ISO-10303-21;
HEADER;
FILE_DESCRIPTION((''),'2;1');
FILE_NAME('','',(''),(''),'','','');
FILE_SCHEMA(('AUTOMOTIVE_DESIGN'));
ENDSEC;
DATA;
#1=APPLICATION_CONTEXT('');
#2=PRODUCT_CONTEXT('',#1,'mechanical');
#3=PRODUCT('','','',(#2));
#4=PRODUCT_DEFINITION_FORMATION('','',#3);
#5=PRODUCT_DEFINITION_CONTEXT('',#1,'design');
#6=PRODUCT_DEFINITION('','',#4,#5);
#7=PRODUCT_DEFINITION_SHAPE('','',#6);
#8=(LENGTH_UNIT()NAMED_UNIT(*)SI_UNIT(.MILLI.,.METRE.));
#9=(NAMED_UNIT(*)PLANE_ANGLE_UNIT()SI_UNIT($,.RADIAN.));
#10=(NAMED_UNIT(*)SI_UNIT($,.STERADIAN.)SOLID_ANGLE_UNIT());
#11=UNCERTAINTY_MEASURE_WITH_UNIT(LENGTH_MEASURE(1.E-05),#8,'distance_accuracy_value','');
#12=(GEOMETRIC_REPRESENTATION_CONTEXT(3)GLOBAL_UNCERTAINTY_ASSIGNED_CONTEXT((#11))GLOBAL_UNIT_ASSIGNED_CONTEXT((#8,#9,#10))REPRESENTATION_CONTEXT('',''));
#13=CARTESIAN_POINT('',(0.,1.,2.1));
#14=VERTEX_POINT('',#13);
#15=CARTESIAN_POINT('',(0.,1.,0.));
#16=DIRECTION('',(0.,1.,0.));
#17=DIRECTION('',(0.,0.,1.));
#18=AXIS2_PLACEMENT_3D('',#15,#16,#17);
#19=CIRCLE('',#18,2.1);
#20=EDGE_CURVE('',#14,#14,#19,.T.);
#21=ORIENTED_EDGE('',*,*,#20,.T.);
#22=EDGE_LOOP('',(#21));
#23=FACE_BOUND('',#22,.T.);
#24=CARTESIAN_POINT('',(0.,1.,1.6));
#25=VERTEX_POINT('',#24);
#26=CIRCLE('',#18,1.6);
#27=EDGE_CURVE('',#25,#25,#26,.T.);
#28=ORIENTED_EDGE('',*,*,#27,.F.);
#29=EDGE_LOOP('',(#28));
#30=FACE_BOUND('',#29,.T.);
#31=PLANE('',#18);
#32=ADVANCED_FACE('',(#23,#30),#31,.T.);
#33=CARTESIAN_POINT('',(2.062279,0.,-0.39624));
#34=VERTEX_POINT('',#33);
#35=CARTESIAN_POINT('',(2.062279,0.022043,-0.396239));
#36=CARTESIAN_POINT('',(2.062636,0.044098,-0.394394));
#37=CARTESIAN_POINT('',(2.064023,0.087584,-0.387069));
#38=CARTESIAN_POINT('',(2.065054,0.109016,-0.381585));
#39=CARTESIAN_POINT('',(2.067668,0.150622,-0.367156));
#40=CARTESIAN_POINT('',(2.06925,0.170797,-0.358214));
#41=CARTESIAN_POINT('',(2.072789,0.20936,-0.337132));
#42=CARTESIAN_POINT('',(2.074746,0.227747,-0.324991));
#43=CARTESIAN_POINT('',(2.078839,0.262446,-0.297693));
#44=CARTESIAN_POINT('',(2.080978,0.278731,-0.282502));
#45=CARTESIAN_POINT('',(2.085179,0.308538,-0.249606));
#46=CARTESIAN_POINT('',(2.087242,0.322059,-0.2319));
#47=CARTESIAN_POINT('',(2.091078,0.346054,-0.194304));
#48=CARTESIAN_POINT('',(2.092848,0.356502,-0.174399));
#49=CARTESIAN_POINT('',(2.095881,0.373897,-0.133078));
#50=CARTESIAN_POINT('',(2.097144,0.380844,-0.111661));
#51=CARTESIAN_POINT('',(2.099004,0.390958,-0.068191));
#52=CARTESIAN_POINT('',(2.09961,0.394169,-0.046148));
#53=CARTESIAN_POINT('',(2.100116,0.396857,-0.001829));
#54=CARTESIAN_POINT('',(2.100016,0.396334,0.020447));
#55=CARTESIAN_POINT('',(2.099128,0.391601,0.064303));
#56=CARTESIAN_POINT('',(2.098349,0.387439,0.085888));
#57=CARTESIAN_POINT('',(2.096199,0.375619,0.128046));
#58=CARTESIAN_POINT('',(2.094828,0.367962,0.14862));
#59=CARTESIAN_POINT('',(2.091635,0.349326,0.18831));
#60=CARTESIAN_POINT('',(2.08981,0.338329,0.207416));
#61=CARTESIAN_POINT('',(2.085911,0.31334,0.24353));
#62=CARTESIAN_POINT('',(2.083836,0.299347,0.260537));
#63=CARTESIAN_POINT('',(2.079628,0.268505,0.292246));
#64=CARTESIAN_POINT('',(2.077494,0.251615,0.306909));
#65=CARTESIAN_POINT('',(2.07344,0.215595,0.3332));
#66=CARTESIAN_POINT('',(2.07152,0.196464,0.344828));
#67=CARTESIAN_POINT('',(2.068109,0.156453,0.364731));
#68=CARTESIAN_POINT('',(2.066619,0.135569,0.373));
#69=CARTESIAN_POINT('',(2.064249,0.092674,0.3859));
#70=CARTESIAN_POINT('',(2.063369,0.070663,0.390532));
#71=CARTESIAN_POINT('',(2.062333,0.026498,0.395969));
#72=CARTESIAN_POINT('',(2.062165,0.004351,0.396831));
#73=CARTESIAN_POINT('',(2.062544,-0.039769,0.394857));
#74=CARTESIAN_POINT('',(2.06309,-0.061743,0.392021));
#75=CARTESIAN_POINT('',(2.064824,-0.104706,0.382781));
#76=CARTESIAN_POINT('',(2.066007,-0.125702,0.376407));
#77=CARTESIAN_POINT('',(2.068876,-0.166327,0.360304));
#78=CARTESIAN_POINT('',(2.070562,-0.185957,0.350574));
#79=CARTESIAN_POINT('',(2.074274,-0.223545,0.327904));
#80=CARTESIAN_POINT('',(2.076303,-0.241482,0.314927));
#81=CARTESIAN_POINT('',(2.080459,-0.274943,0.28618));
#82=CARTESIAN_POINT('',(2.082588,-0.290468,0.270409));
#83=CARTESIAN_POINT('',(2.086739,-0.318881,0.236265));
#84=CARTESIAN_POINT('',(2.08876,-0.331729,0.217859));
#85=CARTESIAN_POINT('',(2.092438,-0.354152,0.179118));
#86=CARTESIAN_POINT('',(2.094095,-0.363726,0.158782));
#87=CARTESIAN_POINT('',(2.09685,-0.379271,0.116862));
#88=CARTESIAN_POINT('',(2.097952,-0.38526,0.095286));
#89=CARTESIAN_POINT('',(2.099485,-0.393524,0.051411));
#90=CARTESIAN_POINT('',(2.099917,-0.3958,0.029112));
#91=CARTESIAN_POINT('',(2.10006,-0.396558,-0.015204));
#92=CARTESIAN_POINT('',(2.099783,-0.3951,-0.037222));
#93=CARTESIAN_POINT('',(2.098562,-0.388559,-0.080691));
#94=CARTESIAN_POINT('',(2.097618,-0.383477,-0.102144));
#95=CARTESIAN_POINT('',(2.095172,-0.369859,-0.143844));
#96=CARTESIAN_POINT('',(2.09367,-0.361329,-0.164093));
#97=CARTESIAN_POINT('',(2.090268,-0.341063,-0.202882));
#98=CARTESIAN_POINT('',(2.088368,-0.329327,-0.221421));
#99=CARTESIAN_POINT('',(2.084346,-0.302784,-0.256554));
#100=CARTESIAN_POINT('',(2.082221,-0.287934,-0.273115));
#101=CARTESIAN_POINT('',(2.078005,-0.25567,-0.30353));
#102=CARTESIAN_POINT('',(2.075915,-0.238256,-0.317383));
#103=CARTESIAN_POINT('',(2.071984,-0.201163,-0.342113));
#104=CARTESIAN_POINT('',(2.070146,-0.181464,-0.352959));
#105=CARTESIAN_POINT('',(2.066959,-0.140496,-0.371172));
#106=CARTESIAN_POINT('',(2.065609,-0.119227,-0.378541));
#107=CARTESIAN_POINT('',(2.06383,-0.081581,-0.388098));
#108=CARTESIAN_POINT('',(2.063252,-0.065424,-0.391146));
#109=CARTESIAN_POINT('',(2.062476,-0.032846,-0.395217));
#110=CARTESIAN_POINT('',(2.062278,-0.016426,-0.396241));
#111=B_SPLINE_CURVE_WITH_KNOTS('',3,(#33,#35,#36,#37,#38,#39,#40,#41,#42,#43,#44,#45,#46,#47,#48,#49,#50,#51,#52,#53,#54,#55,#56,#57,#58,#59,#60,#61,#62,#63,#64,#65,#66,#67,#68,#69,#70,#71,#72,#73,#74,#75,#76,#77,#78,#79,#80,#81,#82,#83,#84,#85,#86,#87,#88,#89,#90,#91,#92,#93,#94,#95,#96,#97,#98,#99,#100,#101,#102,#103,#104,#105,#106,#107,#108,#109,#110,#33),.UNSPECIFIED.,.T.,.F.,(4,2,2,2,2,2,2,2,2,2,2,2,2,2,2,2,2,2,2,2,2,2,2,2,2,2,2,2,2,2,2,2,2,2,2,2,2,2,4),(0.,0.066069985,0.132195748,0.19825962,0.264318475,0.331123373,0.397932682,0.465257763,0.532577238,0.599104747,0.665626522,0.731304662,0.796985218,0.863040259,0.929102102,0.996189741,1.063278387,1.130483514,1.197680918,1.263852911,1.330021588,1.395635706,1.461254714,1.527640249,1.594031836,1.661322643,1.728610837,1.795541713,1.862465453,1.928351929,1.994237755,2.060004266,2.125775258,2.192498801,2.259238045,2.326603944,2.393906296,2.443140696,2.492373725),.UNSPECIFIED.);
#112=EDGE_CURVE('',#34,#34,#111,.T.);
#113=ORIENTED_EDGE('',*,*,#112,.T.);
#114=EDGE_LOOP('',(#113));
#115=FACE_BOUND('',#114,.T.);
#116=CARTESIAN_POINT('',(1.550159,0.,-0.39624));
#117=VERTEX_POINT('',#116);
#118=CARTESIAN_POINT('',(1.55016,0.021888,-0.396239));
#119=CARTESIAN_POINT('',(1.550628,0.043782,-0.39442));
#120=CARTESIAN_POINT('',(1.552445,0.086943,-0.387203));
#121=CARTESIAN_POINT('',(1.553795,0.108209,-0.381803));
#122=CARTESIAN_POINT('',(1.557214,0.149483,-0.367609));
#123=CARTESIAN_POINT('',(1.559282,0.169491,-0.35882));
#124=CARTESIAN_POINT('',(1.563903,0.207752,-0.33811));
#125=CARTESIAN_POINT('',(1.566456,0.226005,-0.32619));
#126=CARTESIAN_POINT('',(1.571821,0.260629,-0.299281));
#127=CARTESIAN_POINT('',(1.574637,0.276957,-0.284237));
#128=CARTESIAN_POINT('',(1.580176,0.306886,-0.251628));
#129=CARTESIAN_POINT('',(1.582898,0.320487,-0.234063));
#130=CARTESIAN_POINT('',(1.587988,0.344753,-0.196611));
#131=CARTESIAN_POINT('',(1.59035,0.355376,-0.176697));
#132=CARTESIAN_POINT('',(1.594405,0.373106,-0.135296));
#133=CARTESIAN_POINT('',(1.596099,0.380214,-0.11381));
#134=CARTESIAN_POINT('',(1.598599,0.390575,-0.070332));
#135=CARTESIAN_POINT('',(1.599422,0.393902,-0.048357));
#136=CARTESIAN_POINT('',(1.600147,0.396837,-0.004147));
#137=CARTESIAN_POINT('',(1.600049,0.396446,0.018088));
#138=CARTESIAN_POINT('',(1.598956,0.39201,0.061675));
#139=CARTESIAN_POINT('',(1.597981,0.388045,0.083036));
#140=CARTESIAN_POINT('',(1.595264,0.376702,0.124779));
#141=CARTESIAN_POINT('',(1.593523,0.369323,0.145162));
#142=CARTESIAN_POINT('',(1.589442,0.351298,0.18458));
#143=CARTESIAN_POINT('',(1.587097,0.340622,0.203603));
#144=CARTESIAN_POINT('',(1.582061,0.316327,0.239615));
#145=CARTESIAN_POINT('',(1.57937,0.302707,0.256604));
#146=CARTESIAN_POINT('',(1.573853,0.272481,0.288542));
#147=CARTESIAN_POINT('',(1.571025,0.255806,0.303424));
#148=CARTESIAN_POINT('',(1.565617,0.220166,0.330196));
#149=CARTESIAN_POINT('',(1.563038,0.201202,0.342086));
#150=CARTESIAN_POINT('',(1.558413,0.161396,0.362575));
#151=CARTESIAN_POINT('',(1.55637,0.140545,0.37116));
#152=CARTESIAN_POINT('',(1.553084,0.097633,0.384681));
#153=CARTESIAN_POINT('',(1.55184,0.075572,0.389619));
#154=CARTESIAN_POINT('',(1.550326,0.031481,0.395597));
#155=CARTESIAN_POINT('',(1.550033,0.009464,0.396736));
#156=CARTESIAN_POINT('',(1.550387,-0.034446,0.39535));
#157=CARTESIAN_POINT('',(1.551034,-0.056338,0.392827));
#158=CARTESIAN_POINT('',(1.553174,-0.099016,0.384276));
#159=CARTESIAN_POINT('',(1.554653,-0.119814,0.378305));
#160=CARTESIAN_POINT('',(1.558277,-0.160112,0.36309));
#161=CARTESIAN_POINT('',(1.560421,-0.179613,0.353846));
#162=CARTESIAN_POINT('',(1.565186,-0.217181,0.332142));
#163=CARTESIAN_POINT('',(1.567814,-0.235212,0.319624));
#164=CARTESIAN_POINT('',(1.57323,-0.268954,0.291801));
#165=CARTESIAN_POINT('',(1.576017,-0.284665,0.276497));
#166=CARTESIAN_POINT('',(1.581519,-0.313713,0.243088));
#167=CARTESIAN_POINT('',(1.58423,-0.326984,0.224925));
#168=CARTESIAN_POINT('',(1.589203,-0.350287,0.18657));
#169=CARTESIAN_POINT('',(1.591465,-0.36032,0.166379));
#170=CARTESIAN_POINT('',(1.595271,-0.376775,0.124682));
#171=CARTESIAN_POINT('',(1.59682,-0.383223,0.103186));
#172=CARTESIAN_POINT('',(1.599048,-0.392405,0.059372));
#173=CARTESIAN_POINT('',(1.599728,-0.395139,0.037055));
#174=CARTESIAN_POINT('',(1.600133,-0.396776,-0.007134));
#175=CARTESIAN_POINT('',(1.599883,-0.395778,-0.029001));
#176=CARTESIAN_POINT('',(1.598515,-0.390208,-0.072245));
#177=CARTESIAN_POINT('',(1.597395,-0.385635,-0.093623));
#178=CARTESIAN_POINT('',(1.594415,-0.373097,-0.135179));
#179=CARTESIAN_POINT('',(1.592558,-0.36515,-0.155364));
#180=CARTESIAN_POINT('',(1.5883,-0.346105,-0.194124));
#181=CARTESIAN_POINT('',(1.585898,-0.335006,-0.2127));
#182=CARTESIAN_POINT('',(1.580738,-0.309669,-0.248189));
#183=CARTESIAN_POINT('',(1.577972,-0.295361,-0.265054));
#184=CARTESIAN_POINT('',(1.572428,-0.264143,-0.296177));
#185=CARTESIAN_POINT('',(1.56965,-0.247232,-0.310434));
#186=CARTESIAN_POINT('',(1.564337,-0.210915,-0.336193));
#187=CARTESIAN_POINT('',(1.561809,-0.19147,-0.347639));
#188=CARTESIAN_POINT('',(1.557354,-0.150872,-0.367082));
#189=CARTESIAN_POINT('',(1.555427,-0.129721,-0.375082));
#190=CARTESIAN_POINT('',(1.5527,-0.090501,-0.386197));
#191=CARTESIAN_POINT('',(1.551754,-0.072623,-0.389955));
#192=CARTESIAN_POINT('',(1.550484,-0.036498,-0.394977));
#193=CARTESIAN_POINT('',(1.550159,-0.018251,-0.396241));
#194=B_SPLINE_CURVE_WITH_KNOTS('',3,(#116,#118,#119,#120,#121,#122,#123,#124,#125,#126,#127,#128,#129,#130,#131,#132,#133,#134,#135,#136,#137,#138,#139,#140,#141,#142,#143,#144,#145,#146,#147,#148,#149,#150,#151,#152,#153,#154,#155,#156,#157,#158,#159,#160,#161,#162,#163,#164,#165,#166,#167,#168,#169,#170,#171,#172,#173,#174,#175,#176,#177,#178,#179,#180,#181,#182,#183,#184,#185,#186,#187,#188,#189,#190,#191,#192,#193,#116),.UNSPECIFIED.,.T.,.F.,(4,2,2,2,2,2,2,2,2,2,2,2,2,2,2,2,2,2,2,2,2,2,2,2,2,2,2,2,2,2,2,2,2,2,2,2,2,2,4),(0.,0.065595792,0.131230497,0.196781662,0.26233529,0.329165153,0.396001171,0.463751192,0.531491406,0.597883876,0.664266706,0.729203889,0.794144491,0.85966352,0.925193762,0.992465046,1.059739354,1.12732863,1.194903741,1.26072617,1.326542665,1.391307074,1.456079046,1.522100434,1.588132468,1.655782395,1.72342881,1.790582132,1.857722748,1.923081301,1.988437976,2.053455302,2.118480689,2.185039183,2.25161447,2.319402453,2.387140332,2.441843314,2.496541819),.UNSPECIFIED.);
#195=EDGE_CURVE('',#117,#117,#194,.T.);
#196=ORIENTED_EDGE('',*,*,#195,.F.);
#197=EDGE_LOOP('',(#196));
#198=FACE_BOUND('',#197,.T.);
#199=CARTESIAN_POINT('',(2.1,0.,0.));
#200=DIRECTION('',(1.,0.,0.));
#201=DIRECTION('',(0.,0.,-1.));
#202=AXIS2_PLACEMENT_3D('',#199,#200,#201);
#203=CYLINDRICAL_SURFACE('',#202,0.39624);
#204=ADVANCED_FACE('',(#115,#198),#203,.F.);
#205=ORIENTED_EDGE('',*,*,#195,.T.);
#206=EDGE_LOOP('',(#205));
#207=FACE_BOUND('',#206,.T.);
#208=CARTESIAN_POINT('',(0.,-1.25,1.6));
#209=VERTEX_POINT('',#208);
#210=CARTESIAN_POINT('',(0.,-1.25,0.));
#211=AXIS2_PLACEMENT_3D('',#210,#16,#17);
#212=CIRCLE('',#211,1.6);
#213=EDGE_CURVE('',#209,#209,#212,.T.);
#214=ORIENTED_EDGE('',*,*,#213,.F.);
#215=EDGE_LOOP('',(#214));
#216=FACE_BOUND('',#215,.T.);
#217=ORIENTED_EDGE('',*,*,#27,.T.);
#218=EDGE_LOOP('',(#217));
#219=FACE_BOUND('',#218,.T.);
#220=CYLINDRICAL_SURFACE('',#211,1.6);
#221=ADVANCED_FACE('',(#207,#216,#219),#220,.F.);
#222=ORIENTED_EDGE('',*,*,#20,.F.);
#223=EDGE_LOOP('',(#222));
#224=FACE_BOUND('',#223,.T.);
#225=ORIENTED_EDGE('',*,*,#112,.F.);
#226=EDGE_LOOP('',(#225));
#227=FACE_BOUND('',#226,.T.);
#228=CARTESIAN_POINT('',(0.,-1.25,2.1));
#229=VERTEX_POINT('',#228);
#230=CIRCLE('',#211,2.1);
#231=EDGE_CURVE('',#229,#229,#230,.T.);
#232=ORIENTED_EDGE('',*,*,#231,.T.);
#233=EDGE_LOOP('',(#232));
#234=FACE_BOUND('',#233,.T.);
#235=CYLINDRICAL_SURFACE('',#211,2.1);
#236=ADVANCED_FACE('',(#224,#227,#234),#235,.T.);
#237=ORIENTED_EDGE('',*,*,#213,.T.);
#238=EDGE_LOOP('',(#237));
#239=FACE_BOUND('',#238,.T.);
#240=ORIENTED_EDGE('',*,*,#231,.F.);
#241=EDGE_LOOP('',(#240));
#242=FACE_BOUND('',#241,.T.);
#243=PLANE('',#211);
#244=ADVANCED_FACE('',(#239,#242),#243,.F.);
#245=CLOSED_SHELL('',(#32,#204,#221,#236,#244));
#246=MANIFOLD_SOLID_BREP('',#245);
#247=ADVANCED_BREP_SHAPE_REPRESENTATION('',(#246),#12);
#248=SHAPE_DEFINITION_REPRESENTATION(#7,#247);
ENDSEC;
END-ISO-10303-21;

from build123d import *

# Parameters (mm, degrees)
SKETCH1_R                         = 2.1
SKETCH1_R_2                       = 1.6
BOSS_EXTRUDE1_DEPTH               = 1
BOSS_EXTRUDE1_DEPTH_BACK          = 1.25
TAP_DRILL_FOR_100_UNM_TAP9_REACH  = 6.859
TAP_DRILL_FOR_100_UNM_TAP9_BORE_R = 0.39624


with BuildPart() as part:
    # Sketch1 → Boss-Extrude1 (new, two sides)
    with BuildSketch(Plane(origin=(0, 0, 0), x_dir=(1, 0, 0), z_dir=(0, 1, 0))) as boss_extrude1_sk:
        with Locations(Location((0, 0, 0), (0, 0, 270))):
            Circle(SKETCH1_R)
        with Locations(Location((0, 0, 0), (0, 0, 270))):
            Circle(SKETCH1_R_2, mode=Mode.SUBTRACT)
    extrude(amount=BOSS_EXTRUDE1_DEPTH)
    extrude(boss_extrude1_sk.sketch, amount=-BOSS_EXTRUDE1_DEPTH_BACK)

    # Tap Drill for 100 UNM Tap9 bore (on position points) → Tap Drill for 100 UNM Tap9 (cut, up to next)
    with BuildSketch(Plane(origin=(2.1, 0, 0), x_dir=(0, 0, 1), z_dir=(1, 0, 0)), mode=Mode.PRIVATE) as tap_drill_for_100_unm_tap9_sk1:
        Circle(TAP_DRILL_FOR_100_UNM_TAP9_BORE_R)
    tap_drill_for_100_unm_tap9_tool1 = extrude(tap_drill_for_100_unm_tap9_sk1.sketch, amount=-TAP_DRILL_FOR_100_UNM_TAP9_REACH, mode=Mode.PRIVATE) & part.part
    add(tap_drill_for_100_unm_tap9_tool1.solids().sort_by_distance((2.1, 0, 0))[0], mode=Mode.SUBTRACT)


solid = part.part
